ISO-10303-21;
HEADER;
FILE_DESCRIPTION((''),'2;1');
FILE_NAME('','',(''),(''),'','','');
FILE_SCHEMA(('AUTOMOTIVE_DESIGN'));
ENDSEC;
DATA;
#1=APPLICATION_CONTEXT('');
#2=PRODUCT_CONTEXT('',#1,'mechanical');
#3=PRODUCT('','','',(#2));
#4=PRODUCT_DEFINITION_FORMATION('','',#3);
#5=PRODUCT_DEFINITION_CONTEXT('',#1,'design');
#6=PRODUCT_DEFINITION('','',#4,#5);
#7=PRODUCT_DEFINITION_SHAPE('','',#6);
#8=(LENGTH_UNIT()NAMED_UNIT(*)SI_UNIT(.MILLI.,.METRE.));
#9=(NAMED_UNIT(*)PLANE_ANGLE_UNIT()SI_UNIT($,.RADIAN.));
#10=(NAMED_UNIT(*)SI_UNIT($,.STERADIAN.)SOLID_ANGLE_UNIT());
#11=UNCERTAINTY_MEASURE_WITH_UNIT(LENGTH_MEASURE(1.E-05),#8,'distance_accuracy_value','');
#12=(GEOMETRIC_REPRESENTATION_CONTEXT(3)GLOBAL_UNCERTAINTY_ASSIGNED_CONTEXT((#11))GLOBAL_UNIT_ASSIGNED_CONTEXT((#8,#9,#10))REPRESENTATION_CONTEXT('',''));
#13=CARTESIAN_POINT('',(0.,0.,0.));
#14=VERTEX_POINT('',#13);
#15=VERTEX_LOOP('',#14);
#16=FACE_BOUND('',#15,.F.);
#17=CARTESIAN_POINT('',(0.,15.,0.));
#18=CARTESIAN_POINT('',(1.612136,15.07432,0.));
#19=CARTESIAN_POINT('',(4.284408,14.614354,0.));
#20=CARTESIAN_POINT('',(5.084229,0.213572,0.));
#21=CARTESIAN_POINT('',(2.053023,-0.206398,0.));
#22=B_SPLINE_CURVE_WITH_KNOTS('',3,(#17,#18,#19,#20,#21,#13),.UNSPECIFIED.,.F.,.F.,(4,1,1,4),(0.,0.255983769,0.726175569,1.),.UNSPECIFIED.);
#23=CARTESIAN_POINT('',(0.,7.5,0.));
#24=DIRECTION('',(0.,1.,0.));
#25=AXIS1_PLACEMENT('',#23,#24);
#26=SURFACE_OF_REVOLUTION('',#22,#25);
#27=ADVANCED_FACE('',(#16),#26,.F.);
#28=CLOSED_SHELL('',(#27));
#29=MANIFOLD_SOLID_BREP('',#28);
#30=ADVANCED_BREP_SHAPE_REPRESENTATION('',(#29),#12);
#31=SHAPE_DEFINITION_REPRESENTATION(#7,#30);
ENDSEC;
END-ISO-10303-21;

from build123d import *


with BuildPart() as f1:
    # F0 (on Top) → F1 (revolve)
    with BuildSketch(Plane.XY):
        with BuildLine():
            Line((0, 15), (0, 0))
            add(Edge.make_bspline(
                [(0, 15), (1.6121358047, 15.0743204014), (4.2844082544, 14.6143539793), (5.0842291199, 0.2135717768), (2.053022783, -0.2063983912), (0, 0)],
                knots=[0, 0, 0, 0, 0.2559837694, 0.7261755692, 1, 1, 1, 1], degree=3))
        make_face()
    revolve(axis=Axis((0, 7.5, 0), (0, 1, 0)))


solid = f1.part
